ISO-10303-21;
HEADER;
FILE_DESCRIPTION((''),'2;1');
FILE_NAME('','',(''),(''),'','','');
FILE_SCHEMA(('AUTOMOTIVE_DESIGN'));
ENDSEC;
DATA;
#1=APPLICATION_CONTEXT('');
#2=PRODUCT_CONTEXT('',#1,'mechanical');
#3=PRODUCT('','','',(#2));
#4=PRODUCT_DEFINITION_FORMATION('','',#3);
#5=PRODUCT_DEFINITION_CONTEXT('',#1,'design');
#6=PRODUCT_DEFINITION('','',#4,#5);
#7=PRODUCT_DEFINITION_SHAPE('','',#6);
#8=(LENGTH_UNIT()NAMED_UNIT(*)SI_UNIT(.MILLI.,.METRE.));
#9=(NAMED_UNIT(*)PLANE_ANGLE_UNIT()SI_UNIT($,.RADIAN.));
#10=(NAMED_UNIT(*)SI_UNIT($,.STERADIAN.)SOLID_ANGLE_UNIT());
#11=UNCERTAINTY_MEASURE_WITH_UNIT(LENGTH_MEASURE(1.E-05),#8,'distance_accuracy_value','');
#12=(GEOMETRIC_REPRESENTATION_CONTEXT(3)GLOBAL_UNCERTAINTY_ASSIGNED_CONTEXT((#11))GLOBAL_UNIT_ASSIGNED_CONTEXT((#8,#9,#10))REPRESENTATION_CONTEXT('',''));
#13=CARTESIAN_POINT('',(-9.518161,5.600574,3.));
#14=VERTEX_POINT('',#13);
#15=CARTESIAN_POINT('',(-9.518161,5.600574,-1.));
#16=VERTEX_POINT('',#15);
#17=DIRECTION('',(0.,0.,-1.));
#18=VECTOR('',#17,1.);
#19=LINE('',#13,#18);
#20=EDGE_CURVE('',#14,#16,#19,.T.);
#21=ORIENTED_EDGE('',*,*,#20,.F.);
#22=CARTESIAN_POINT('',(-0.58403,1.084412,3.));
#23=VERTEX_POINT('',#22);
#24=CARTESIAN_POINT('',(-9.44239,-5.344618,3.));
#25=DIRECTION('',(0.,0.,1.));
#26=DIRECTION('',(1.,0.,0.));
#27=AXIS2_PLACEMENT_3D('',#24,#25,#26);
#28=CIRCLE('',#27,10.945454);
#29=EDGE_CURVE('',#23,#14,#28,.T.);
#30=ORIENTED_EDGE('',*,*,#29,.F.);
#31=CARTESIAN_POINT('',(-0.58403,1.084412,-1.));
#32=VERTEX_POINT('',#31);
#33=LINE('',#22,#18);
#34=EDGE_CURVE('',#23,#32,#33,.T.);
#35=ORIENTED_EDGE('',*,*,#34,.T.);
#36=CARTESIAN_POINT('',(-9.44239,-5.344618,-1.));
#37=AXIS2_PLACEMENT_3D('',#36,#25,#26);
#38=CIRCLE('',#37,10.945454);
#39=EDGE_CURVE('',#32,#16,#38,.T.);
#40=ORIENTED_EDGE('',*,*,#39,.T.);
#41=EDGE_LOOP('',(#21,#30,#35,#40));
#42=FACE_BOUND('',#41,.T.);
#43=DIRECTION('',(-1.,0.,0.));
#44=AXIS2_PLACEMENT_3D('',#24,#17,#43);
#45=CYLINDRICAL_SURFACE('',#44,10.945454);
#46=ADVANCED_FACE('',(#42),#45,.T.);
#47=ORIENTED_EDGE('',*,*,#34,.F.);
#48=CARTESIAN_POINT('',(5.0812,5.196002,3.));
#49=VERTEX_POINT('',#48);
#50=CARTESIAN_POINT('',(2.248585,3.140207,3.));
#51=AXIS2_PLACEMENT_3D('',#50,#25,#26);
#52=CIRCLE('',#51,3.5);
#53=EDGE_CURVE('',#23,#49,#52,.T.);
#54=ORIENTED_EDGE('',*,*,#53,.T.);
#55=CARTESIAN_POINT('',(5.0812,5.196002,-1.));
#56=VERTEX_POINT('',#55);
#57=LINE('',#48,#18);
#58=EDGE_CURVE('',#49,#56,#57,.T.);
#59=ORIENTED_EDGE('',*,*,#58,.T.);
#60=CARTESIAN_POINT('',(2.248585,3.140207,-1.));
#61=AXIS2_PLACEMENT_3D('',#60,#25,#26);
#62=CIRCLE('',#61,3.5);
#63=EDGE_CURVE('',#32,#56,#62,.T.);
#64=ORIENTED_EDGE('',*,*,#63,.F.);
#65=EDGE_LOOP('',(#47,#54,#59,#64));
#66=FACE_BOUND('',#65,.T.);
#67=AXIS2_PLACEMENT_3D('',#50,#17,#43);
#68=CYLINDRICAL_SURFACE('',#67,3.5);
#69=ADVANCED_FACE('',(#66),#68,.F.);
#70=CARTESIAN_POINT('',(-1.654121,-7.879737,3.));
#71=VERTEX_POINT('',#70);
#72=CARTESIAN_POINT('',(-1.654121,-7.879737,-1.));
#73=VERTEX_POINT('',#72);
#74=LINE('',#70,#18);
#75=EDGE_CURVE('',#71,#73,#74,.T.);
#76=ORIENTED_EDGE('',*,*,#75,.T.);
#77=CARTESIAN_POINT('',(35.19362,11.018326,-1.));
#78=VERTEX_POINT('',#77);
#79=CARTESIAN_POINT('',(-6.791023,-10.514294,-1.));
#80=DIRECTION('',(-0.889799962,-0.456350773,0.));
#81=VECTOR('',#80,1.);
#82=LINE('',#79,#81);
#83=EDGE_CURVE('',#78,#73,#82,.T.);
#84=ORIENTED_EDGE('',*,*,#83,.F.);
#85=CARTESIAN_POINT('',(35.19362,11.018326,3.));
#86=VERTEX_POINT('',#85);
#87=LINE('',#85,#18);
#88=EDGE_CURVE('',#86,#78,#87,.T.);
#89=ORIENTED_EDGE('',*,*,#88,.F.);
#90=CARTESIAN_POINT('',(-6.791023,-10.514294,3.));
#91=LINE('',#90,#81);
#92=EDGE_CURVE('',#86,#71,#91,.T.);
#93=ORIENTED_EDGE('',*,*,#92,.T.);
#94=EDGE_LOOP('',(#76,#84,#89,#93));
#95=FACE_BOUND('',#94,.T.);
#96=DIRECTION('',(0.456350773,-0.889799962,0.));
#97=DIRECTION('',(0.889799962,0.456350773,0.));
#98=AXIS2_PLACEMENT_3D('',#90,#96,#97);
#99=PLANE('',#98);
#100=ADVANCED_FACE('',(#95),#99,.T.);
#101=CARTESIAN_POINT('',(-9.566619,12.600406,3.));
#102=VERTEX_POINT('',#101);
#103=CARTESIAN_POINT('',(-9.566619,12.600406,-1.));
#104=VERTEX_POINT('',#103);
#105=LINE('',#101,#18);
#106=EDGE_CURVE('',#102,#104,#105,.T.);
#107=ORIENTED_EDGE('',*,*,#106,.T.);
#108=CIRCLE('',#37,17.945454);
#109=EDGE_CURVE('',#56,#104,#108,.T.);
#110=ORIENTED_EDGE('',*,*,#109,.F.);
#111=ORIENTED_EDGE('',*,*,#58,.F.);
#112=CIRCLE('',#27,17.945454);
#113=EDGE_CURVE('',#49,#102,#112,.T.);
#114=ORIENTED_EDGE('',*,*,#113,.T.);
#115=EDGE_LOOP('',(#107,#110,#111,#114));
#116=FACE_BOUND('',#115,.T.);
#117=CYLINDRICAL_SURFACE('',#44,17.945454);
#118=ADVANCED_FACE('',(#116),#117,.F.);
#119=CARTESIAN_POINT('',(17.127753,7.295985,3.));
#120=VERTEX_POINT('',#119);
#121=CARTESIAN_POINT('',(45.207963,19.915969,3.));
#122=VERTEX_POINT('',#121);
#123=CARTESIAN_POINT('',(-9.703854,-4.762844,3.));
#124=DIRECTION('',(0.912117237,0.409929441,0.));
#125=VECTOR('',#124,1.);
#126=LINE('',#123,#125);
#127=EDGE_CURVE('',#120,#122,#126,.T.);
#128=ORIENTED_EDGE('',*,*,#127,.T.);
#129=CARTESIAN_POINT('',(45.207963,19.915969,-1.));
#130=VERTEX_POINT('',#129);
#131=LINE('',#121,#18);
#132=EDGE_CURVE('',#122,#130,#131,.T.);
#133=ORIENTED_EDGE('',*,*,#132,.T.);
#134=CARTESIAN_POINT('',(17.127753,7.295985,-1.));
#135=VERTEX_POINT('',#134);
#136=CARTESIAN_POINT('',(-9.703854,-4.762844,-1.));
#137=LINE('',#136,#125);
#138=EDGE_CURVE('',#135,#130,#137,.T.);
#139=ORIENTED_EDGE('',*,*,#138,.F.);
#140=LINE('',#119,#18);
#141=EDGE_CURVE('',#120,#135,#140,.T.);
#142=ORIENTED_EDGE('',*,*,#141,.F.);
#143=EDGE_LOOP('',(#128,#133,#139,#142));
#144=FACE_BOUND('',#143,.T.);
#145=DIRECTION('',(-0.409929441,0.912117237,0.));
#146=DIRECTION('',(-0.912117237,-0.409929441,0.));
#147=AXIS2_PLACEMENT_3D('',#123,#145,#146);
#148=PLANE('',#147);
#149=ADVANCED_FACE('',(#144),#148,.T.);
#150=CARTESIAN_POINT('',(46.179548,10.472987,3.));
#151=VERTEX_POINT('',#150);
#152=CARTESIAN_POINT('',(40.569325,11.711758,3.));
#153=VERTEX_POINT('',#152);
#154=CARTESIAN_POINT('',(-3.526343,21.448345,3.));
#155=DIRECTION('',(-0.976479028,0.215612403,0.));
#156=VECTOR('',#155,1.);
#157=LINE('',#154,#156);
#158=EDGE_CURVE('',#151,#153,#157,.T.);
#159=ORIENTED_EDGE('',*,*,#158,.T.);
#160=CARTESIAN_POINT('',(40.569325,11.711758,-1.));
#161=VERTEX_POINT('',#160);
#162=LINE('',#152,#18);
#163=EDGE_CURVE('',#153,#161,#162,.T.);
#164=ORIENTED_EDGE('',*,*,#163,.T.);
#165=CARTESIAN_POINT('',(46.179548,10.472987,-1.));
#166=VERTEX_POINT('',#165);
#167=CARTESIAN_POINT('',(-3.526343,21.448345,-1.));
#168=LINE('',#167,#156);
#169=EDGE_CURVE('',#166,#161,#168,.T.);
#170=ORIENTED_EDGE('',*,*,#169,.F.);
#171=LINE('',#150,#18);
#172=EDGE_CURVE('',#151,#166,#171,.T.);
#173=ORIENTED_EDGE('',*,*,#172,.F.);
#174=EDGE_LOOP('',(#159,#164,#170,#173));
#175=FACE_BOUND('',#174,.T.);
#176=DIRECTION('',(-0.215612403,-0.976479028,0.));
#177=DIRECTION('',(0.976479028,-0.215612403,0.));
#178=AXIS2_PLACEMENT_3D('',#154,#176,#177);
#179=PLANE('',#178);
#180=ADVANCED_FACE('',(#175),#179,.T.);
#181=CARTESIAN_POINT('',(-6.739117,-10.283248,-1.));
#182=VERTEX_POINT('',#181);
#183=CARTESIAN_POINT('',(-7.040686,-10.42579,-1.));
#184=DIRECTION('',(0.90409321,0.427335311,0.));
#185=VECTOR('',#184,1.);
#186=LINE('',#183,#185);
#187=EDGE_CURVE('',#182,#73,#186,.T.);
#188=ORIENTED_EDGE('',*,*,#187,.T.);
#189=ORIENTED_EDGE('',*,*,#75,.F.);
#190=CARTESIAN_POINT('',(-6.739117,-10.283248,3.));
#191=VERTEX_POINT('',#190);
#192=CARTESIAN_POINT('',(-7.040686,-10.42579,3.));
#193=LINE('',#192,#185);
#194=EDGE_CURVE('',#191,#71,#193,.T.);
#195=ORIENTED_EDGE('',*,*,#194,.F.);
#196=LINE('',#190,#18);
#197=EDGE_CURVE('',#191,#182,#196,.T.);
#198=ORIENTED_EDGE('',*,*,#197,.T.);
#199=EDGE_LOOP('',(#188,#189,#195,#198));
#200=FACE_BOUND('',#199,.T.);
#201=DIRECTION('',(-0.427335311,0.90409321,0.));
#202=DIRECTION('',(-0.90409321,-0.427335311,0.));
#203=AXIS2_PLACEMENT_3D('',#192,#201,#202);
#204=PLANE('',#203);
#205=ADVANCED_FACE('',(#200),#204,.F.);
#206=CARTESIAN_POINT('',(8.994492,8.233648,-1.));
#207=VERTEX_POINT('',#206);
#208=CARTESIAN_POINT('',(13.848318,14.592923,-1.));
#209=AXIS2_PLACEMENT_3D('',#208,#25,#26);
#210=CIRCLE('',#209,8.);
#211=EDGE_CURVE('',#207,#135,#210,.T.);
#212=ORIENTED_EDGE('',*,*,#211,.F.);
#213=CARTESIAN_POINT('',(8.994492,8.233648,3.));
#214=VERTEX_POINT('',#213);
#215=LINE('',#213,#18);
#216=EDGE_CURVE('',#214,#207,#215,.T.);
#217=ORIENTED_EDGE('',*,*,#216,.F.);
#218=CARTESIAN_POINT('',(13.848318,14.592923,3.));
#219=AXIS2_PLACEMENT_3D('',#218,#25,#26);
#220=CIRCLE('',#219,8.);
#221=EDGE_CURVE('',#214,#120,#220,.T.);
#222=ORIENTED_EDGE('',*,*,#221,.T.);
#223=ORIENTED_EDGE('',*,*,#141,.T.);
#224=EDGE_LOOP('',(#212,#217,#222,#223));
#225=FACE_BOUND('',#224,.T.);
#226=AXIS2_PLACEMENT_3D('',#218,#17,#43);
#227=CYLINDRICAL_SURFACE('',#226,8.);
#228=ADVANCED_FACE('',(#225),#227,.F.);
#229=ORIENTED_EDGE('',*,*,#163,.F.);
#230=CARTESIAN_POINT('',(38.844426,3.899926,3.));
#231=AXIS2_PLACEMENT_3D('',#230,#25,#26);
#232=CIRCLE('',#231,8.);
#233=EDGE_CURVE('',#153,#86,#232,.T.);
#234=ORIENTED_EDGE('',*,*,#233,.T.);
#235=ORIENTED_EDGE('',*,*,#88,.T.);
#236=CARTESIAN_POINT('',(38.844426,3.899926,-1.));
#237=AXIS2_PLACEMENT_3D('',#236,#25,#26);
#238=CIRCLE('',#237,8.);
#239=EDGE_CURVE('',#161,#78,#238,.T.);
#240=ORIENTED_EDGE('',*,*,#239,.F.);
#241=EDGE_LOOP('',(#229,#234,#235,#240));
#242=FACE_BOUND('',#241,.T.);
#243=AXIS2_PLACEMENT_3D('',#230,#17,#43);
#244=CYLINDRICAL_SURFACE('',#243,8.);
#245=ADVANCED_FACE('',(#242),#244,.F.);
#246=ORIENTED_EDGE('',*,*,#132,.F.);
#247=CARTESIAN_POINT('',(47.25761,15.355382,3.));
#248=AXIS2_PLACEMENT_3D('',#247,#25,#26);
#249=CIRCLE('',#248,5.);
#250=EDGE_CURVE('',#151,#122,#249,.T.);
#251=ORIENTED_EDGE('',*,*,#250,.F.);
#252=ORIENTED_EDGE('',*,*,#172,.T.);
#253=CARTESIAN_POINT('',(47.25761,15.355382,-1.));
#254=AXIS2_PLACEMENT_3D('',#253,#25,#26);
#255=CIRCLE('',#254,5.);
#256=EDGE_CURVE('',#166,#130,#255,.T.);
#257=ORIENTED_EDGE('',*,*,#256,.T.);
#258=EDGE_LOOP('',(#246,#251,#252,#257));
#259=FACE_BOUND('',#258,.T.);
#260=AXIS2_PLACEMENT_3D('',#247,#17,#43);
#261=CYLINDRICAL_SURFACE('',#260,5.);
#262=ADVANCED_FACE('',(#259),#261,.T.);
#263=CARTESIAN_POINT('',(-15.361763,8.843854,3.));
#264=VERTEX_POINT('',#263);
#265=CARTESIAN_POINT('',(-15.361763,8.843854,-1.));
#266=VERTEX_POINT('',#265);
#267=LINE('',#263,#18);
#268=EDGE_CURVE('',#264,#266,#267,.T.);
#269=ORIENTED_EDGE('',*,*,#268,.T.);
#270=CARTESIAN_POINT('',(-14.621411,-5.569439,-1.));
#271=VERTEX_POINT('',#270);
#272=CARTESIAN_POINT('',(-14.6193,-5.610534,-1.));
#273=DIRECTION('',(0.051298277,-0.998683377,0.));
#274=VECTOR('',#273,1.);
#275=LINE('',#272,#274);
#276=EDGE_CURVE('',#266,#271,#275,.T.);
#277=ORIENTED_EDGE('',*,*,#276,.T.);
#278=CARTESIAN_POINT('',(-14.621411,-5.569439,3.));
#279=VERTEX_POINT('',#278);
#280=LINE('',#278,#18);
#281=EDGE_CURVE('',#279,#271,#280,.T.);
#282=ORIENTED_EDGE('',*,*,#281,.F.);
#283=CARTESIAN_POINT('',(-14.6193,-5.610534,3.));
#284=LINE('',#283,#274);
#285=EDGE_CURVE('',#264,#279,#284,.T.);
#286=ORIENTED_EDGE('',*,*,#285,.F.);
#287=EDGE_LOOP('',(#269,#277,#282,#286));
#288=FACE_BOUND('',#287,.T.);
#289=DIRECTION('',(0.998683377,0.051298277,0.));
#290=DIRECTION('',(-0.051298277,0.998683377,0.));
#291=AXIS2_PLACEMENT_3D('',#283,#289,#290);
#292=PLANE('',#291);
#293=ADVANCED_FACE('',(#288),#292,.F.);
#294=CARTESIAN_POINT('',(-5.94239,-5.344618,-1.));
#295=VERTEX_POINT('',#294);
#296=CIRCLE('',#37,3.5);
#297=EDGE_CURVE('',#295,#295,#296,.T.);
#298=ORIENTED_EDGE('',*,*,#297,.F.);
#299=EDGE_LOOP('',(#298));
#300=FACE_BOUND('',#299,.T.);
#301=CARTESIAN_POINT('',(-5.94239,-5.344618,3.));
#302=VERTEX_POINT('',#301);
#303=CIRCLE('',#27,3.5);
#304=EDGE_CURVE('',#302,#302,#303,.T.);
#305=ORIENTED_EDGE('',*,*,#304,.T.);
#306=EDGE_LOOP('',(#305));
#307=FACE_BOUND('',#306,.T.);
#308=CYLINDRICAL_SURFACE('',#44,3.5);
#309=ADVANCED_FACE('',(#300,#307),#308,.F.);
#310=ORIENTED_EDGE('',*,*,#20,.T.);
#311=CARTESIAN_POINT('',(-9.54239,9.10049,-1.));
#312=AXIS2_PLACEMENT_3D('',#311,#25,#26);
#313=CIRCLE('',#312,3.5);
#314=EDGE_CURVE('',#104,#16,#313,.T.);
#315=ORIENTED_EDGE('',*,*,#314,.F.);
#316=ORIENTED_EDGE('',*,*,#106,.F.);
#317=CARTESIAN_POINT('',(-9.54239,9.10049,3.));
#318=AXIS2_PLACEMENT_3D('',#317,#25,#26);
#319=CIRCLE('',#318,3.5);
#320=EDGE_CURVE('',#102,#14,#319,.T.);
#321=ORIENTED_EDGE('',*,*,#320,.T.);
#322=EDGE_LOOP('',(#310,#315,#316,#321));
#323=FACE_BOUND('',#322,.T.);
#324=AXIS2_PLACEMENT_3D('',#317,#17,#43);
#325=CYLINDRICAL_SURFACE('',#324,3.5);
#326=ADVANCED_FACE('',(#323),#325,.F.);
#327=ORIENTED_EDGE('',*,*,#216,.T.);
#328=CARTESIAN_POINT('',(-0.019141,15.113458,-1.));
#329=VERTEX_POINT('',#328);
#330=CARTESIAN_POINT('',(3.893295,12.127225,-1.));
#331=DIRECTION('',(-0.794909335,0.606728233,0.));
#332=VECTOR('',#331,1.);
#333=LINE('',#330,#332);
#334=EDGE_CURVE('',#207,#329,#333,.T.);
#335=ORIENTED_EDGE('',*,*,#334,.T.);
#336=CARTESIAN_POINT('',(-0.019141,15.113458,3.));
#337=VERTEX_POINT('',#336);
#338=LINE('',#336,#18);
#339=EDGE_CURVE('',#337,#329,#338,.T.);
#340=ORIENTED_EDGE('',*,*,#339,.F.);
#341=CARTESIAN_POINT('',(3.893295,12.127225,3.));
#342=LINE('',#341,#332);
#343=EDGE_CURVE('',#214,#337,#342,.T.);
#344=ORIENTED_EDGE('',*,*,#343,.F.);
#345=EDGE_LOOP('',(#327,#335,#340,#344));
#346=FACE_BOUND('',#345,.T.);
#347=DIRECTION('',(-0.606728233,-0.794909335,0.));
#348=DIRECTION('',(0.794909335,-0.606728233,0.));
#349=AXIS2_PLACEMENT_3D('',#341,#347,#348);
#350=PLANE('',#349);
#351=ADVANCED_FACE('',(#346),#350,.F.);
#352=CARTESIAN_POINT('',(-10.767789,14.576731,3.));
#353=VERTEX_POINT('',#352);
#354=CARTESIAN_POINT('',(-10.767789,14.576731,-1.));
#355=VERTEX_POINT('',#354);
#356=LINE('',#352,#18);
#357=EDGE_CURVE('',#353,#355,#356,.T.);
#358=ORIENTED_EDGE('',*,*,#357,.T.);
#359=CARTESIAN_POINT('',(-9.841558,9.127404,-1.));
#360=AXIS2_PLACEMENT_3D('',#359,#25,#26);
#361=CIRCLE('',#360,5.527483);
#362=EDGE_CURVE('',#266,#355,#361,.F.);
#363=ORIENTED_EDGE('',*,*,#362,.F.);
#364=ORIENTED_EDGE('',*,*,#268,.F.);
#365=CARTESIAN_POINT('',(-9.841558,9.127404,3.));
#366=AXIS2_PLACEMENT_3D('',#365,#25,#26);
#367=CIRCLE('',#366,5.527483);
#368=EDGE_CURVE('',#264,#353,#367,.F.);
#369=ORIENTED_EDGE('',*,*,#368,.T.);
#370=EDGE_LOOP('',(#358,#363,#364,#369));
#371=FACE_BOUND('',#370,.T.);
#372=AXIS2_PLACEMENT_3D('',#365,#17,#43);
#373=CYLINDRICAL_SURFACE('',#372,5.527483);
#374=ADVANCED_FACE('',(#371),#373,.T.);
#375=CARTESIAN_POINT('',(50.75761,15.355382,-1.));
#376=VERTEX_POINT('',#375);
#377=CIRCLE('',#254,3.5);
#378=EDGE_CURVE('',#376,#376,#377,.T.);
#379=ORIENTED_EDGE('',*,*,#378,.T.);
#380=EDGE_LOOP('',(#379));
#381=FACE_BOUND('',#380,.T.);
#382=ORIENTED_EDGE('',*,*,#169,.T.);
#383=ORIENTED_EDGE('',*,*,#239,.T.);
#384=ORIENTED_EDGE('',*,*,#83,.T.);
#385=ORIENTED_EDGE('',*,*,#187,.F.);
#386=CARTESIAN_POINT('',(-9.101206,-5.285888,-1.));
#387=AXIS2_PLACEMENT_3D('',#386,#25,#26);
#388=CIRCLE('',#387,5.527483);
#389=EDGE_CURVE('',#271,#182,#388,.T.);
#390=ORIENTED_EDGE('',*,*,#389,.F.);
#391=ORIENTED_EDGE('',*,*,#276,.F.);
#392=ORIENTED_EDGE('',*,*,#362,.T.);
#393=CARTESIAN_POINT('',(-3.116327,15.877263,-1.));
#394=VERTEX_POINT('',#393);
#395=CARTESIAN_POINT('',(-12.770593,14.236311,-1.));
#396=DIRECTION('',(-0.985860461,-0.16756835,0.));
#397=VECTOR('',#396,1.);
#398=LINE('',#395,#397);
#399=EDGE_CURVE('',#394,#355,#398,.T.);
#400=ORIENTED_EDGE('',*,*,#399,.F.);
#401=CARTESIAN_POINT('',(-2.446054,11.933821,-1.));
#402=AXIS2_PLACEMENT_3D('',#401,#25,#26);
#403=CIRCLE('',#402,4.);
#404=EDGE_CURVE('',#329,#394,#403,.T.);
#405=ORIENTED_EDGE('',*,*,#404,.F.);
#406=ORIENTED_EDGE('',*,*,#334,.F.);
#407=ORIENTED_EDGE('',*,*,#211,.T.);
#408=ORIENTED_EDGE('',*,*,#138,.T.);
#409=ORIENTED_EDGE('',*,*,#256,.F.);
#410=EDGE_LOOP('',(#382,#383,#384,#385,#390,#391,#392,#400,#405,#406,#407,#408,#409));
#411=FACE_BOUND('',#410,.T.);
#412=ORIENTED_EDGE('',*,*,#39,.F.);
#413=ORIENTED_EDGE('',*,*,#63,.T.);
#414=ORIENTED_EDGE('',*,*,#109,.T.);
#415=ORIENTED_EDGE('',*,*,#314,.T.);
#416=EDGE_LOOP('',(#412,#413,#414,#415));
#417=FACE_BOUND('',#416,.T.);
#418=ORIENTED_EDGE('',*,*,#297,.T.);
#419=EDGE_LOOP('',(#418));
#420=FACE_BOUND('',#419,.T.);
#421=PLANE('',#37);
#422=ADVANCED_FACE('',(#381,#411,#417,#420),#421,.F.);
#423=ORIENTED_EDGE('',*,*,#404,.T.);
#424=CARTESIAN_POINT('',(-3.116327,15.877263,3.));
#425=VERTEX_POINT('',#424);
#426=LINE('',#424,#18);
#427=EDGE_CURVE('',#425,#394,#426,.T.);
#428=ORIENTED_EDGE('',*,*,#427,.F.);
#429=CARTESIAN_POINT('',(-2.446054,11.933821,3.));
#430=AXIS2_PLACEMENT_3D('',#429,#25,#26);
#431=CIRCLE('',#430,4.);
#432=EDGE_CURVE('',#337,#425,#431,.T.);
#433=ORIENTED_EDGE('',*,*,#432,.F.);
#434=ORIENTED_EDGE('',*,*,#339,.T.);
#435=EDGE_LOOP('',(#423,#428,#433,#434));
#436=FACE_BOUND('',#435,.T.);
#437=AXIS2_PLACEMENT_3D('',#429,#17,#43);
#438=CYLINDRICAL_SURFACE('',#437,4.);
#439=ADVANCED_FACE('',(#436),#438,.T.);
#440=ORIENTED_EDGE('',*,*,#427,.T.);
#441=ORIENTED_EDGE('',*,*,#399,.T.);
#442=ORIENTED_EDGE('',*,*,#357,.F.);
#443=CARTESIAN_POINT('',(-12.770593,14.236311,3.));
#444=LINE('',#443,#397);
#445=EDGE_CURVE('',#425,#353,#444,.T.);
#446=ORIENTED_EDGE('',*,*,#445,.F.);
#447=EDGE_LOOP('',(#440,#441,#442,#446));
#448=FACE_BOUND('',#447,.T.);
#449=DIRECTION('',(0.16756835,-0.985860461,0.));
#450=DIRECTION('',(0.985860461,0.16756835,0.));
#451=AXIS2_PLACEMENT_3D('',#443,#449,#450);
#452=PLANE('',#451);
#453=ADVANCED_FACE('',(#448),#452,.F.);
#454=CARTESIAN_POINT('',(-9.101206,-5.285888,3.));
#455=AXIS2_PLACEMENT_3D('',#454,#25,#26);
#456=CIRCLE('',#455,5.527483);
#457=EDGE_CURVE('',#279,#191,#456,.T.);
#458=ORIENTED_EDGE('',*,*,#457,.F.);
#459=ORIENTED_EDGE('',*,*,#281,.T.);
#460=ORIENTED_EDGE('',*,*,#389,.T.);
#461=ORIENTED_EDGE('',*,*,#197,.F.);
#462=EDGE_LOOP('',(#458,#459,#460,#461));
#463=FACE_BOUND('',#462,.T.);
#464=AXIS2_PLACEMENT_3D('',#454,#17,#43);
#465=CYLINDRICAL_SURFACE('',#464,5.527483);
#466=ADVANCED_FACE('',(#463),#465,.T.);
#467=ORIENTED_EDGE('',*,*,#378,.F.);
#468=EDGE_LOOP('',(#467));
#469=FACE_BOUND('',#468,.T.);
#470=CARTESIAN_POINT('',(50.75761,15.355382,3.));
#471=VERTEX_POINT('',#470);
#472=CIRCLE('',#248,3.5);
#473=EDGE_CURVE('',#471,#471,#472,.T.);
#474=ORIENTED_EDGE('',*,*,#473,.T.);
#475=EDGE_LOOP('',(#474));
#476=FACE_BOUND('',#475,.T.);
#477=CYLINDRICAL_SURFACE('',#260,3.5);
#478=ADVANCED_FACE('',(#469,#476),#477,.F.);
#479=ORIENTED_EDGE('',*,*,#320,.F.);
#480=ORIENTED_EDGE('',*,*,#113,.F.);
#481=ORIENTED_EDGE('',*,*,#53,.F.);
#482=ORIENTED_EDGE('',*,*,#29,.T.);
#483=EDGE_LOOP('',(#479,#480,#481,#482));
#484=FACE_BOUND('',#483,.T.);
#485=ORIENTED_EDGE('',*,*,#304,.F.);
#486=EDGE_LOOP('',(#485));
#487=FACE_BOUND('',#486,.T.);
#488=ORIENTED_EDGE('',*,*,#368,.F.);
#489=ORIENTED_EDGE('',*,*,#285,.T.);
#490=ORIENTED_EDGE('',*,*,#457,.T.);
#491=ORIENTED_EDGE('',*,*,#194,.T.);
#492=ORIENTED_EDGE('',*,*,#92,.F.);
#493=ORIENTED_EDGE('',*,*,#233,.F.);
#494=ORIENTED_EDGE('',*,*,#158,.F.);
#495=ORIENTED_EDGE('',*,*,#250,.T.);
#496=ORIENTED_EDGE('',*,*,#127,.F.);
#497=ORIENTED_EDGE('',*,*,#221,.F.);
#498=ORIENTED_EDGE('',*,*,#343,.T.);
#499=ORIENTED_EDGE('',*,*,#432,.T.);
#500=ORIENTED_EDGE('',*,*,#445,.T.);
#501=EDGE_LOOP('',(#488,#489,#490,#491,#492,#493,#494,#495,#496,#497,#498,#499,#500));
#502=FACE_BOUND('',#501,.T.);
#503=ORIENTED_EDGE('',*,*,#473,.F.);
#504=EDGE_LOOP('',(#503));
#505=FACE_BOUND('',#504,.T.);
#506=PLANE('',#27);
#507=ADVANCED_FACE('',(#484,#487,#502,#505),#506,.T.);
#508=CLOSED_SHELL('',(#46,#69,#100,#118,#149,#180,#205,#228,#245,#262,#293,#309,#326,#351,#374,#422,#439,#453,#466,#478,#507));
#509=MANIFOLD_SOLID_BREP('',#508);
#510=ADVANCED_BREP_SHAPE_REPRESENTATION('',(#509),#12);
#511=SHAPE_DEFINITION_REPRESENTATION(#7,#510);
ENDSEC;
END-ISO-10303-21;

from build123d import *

# Parameters (mm, degrees)
SKETCH2_R           = 1.75
BOSS_EXTRUDE1_DEPTH = 2
SCALE1_SCALE        = 2


with BuildPart() as part:
    # Sketch2 → Boss-Extrude1 (new body)
    with BuildSketch(Plane.XY):
        with BuildLine():
            Line((-2.959686812, 7.094235734), (-2.589510897, -0.112410482))
            ThreePointArc((-2.589510897, -0.112410482), (-1.247895547, -2.342588234), (1.351636108, -2.469315214))
            Line((1.351636108, -2.469315214), (3.894134078, -1.267559521))
            Line((3.894134078, -1.267559521), (22.318004544, 8.181471599))
            ThreePointArc((22.318004544, 8.181471599), (23.631672458, 8.589402593), (25.00585725, 8.528187863))
            Line((25.00585725, 8.528187863), (27.810968992, 7.908802431))
            ThreePointArc((27.810968992, 7.908802431), (30.836871293, 10.605873355), (27.325176398, 12.630293092))
            Line((27.325176398, 12.630293092), (13.285071523, 6.320301234))
            ThreePointArc((13.285071523, 6.320301234), (11.187238244, 5.995090505), (9.218440829, 6.78913284))
            Line((9.218440829, 6.78913284), (4.711624461, 10.229038009))
            ThreePointArc((4.711624461, 10.229038009), (3.977045573, 10.581042261), (3.163031294, 10.61094026))
            Line((3.163031294, 10.61094026), (-0.662699736, 9.960674362))
            ThreePointArc((-0.662699736, 9.960674362), (-2.356294969, 8.964265917), (-2.959686812, 7.094235734))
        make_face()
        Circle(SKETCH2_R, mode=Mode.SUBTRACT)
        with Locations((28.35, 10.35)):
            Circle(SKETCH2_R, mode=Mode.SUBTRACT)
        with BuildLine():
            ThreePointArc((-0.062114538, 8.972511771), (-1.799958067, 7.210439165), (-0.037885462, 5.472595636))
            ThreePointArc((-0.037885462, 5.472595636), (2.468926518, 4.884172412), (4.429179601, 3.21451495))
            ThreePointArc((4.429179601, 3.21451495), (6.873384478, 2.826104706), (7.261794722, 5.270309583))
            ThreePointArc((7.261794722, 5.270309583), (4.047891296, 8.007771334), (-0.062114538, 8.972511771))
        make_face(mode=Mode.SUBTRACT)
    extrude(amount=BOSS_EXTRUDE1_DEPTH)


with BuildPart() as part_1:
    # Scale1: scaled about (9.442389577, 5.344617661, 1)
    add(part.part.scale(SCALE1_SCALE).moved(Location((-9.442389577, -5.344617661, -1))))


solid = part_1.part
